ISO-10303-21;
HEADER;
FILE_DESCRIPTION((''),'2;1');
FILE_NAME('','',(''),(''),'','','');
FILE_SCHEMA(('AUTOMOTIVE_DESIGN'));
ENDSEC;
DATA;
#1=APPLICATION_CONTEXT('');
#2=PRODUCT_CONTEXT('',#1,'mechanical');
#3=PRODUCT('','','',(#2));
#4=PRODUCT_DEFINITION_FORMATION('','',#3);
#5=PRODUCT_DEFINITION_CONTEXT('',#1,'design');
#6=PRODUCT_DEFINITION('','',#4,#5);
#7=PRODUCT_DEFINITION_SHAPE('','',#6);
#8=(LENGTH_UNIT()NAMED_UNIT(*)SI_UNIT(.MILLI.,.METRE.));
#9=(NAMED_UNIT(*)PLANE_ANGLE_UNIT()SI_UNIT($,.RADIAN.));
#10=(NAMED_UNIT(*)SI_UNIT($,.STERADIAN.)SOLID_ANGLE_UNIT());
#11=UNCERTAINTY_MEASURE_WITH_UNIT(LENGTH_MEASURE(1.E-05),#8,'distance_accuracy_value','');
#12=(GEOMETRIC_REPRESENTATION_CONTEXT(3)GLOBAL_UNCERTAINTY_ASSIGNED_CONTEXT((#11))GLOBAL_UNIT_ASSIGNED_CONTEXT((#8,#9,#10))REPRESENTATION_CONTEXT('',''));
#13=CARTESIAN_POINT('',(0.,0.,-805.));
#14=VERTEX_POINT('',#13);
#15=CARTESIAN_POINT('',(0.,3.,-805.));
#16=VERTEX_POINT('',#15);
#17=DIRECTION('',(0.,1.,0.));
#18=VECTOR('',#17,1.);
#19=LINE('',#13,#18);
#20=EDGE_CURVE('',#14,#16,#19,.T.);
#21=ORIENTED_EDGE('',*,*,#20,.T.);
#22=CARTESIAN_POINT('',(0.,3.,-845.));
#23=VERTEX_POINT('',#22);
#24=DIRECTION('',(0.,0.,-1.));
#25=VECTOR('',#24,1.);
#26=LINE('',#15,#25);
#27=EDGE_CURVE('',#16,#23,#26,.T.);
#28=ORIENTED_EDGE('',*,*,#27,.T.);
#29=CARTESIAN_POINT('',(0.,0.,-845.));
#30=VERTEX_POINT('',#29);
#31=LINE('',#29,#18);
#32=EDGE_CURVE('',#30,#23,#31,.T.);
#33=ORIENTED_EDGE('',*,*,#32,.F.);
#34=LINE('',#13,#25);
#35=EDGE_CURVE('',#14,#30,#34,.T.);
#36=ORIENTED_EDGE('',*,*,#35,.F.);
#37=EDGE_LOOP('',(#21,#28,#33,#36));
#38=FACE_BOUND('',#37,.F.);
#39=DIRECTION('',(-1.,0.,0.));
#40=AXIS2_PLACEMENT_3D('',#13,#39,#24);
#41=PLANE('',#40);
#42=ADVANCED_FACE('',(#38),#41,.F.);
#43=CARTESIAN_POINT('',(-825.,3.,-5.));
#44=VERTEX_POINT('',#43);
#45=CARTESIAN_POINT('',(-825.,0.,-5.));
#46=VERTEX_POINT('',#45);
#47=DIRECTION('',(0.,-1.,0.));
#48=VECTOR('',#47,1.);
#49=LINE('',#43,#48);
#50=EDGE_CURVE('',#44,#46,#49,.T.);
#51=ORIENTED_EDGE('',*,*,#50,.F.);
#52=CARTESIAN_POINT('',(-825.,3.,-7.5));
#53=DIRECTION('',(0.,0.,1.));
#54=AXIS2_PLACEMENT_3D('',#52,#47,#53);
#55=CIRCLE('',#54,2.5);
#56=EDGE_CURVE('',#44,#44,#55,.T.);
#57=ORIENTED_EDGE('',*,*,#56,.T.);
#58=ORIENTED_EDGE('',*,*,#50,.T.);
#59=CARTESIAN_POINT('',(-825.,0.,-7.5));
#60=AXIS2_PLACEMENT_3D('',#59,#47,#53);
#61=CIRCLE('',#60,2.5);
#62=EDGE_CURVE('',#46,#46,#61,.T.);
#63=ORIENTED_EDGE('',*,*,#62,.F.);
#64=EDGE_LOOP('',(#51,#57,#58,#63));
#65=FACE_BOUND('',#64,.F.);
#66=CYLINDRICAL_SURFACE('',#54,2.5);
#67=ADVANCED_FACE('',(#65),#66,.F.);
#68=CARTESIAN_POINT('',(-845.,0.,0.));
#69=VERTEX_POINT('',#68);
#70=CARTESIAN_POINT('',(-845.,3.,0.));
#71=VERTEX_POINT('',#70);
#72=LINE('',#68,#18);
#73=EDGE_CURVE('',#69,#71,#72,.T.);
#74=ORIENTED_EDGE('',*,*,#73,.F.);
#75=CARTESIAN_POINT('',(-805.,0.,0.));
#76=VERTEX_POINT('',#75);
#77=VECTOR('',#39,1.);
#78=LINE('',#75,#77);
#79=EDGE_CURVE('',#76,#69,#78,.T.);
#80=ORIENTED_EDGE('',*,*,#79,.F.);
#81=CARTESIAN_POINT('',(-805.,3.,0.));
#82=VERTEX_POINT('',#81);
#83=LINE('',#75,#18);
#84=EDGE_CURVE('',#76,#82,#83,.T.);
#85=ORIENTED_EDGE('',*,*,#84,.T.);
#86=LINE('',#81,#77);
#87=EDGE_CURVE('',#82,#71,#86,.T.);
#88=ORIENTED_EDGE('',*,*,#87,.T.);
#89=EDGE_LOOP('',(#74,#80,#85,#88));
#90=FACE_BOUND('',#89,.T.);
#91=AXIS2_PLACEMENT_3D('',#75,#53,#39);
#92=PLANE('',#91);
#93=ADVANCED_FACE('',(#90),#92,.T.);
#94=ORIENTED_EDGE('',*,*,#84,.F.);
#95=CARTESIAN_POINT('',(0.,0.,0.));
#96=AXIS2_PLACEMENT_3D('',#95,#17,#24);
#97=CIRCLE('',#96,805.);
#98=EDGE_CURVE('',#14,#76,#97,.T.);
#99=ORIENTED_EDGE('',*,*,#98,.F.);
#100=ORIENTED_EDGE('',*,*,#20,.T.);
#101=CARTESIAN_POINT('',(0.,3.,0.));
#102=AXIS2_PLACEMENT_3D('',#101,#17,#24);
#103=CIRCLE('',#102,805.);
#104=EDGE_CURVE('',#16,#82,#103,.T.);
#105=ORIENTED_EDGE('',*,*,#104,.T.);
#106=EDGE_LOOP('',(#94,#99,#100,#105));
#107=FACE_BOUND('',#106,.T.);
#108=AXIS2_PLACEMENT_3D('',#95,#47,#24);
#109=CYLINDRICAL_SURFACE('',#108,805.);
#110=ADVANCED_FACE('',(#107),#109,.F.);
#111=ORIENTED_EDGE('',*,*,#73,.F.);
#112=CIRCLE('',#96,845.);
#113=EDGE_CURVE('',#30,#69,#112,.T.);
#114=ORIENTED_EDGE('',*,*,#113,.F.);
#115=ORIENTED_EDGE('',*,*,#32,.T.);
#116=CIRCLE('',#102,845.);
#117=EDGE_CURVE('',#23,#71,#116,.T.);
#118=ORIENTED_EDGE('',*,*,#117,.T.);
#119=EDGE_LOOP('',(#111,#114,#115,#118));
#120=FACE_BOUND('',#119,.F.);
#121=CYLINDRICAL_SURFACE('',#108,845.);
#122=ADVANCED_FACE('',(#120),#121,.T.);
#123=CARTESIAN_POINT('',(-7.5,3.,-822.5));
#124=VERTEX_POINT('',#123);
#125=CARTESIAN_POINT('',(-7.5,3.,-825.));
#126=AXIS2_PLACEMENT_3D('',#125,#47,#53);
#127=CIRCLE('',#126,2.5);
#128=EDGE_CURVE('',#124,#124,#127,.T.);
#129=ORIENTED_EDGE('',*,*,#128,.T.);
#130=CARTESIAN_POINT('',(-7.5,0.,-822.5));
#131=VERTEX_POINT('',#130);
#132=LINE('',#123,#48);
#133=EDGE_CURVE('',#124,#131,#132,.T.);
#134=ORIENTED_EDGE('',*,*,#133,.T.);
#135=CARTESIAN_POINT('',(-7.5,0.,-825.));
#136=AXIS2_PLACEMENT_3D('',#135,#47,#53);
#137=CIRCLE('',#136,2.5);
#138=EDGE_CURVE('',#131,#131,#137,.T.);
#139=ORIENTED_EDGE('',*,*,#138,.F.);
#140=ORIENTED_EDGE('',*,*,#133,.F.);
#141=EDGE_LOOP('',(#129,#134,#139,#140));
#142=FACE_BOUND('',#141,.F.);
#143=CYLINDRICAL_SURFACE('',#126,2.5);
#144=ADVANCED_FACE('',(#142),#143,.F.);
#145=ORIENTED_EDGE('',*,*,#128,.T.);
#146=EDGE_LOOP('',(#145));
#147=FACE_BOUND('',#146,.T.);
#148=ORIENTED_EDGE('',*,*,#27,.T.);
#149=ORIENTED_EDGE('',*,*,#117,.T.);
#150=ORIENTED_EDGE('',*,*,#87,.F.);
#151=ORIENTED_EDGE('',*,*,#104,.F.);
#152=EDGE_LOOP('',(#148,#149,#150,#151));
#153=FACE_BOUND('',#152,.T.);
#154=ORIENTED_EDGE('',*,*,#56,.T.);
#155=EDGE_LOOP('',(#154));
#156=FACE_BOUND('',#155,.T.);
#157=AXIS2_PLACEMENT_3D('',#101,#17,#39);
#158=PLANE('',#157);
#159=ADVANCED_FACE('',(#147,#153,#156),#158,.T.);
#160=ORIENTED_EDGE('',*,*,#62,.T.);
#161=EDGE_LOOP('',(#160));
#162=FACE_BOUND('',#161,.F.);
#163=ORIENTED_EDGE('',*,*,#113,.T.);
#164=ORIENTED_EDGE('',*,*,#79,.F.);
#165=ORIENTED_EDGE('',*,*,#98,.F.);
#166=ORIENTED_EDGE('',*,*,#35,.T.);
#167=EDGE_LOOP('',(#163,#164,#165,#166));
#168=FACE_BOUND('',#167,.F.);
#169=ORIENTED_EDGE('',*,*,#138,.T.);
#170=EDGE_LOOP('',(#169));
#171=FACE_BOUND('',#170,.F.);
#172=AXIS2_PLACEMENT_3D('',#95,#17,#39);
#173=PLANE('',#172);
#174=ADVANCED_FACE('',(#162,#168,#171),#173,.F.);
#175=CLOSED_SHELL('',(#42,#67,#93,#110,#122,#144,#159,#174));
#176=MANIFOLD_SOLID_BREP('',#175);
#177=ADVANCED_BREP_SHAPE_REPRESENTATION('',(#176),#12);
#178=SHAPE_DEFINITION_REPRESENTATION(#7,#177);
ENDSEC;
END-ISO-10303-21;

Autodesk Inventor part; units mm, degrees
ref_plane "YZ Plane" through (0, 0, 0) normal (1, 0, 0) x (0, 1, 0)
ref_plane "XZ Plane" through (0, 0, 0) normal (0, 1, 0) x (-1, 0, 0)
ref_plane "XY Plane" through (0, 0, 0) normal (0, 0, 1) x (1, 0, 0)
sketch "Esboço1" plane through (0, 0, 0) normal (0, 1, 0) x (-1, 0, 0)
  arc A0 (0, -805) -> (805, 0) centre (0, 0) ccw
  arc A1 (0, -845) -> (845, 0) centre (0, 0) ccw
  line L0 (805, 0) -> (845, 0)
  line L1 (0, -805) -> (0, -845)
  circle A2 centre (7.5, -815) radius 2.5
  circle A3 centre (7.5, -835) radius 2.5
  circle A4 centre (835, -7.5) radius 2.5
  circle A5 centre (815, -7.5) radius 2.5
  circle A6 centre (835, -7.5) radius 2.5
  circle A7 centre (815, -7.5) radius 2.5
  dimension "d0" = 805
  dimension "d1" = 845
  dimension "d2" = 5
  dimension "d3" = 5
  dimension "d4" = 20
  dimension "d6" = 7.5
  dimension "d7" = 5
  dimension "d8" = 5
  dimension "d9" = 7.5
  dimension "d10" = 10
  dimension "d11" = 20
  dimension "d13" = 7.5
  dimension "d14" = 7.5
  dimension "d15" = 10
extrude "Extrusão1" add sketch "Esboço1" along normal blind 3 contours A0 L0 A1 L1 | A2 | A3 | A4 | A5
sketch "Esboço4" plane through (0, 3, 0) normal (0, 1, 0) x (1, 0, 0)
  circle A0 centre (-825, 7.5) radius 2.5
  line L0 (-845, 0) -> (-805, 0) projected
  circle A1 centre (-7.5, 825) radius 2.5
  line L1 (0, 805) -> (0, 845) projected
  point P0 (0, 0)
  dimension "d19" = 5
  dimension "d22" = 7.5
  dimension "d25" = 5
  dimension "d26" = 7.5
  dimension "d44" = 20
  dimension "d45" = 20
hole "Furo1" at (-825, 3, -7.5) at (-7.5, 3, -825) direction (0, -1, 0) diameter 5 end through all
properties part number "Arco menor" material "Alumínio 6061"
